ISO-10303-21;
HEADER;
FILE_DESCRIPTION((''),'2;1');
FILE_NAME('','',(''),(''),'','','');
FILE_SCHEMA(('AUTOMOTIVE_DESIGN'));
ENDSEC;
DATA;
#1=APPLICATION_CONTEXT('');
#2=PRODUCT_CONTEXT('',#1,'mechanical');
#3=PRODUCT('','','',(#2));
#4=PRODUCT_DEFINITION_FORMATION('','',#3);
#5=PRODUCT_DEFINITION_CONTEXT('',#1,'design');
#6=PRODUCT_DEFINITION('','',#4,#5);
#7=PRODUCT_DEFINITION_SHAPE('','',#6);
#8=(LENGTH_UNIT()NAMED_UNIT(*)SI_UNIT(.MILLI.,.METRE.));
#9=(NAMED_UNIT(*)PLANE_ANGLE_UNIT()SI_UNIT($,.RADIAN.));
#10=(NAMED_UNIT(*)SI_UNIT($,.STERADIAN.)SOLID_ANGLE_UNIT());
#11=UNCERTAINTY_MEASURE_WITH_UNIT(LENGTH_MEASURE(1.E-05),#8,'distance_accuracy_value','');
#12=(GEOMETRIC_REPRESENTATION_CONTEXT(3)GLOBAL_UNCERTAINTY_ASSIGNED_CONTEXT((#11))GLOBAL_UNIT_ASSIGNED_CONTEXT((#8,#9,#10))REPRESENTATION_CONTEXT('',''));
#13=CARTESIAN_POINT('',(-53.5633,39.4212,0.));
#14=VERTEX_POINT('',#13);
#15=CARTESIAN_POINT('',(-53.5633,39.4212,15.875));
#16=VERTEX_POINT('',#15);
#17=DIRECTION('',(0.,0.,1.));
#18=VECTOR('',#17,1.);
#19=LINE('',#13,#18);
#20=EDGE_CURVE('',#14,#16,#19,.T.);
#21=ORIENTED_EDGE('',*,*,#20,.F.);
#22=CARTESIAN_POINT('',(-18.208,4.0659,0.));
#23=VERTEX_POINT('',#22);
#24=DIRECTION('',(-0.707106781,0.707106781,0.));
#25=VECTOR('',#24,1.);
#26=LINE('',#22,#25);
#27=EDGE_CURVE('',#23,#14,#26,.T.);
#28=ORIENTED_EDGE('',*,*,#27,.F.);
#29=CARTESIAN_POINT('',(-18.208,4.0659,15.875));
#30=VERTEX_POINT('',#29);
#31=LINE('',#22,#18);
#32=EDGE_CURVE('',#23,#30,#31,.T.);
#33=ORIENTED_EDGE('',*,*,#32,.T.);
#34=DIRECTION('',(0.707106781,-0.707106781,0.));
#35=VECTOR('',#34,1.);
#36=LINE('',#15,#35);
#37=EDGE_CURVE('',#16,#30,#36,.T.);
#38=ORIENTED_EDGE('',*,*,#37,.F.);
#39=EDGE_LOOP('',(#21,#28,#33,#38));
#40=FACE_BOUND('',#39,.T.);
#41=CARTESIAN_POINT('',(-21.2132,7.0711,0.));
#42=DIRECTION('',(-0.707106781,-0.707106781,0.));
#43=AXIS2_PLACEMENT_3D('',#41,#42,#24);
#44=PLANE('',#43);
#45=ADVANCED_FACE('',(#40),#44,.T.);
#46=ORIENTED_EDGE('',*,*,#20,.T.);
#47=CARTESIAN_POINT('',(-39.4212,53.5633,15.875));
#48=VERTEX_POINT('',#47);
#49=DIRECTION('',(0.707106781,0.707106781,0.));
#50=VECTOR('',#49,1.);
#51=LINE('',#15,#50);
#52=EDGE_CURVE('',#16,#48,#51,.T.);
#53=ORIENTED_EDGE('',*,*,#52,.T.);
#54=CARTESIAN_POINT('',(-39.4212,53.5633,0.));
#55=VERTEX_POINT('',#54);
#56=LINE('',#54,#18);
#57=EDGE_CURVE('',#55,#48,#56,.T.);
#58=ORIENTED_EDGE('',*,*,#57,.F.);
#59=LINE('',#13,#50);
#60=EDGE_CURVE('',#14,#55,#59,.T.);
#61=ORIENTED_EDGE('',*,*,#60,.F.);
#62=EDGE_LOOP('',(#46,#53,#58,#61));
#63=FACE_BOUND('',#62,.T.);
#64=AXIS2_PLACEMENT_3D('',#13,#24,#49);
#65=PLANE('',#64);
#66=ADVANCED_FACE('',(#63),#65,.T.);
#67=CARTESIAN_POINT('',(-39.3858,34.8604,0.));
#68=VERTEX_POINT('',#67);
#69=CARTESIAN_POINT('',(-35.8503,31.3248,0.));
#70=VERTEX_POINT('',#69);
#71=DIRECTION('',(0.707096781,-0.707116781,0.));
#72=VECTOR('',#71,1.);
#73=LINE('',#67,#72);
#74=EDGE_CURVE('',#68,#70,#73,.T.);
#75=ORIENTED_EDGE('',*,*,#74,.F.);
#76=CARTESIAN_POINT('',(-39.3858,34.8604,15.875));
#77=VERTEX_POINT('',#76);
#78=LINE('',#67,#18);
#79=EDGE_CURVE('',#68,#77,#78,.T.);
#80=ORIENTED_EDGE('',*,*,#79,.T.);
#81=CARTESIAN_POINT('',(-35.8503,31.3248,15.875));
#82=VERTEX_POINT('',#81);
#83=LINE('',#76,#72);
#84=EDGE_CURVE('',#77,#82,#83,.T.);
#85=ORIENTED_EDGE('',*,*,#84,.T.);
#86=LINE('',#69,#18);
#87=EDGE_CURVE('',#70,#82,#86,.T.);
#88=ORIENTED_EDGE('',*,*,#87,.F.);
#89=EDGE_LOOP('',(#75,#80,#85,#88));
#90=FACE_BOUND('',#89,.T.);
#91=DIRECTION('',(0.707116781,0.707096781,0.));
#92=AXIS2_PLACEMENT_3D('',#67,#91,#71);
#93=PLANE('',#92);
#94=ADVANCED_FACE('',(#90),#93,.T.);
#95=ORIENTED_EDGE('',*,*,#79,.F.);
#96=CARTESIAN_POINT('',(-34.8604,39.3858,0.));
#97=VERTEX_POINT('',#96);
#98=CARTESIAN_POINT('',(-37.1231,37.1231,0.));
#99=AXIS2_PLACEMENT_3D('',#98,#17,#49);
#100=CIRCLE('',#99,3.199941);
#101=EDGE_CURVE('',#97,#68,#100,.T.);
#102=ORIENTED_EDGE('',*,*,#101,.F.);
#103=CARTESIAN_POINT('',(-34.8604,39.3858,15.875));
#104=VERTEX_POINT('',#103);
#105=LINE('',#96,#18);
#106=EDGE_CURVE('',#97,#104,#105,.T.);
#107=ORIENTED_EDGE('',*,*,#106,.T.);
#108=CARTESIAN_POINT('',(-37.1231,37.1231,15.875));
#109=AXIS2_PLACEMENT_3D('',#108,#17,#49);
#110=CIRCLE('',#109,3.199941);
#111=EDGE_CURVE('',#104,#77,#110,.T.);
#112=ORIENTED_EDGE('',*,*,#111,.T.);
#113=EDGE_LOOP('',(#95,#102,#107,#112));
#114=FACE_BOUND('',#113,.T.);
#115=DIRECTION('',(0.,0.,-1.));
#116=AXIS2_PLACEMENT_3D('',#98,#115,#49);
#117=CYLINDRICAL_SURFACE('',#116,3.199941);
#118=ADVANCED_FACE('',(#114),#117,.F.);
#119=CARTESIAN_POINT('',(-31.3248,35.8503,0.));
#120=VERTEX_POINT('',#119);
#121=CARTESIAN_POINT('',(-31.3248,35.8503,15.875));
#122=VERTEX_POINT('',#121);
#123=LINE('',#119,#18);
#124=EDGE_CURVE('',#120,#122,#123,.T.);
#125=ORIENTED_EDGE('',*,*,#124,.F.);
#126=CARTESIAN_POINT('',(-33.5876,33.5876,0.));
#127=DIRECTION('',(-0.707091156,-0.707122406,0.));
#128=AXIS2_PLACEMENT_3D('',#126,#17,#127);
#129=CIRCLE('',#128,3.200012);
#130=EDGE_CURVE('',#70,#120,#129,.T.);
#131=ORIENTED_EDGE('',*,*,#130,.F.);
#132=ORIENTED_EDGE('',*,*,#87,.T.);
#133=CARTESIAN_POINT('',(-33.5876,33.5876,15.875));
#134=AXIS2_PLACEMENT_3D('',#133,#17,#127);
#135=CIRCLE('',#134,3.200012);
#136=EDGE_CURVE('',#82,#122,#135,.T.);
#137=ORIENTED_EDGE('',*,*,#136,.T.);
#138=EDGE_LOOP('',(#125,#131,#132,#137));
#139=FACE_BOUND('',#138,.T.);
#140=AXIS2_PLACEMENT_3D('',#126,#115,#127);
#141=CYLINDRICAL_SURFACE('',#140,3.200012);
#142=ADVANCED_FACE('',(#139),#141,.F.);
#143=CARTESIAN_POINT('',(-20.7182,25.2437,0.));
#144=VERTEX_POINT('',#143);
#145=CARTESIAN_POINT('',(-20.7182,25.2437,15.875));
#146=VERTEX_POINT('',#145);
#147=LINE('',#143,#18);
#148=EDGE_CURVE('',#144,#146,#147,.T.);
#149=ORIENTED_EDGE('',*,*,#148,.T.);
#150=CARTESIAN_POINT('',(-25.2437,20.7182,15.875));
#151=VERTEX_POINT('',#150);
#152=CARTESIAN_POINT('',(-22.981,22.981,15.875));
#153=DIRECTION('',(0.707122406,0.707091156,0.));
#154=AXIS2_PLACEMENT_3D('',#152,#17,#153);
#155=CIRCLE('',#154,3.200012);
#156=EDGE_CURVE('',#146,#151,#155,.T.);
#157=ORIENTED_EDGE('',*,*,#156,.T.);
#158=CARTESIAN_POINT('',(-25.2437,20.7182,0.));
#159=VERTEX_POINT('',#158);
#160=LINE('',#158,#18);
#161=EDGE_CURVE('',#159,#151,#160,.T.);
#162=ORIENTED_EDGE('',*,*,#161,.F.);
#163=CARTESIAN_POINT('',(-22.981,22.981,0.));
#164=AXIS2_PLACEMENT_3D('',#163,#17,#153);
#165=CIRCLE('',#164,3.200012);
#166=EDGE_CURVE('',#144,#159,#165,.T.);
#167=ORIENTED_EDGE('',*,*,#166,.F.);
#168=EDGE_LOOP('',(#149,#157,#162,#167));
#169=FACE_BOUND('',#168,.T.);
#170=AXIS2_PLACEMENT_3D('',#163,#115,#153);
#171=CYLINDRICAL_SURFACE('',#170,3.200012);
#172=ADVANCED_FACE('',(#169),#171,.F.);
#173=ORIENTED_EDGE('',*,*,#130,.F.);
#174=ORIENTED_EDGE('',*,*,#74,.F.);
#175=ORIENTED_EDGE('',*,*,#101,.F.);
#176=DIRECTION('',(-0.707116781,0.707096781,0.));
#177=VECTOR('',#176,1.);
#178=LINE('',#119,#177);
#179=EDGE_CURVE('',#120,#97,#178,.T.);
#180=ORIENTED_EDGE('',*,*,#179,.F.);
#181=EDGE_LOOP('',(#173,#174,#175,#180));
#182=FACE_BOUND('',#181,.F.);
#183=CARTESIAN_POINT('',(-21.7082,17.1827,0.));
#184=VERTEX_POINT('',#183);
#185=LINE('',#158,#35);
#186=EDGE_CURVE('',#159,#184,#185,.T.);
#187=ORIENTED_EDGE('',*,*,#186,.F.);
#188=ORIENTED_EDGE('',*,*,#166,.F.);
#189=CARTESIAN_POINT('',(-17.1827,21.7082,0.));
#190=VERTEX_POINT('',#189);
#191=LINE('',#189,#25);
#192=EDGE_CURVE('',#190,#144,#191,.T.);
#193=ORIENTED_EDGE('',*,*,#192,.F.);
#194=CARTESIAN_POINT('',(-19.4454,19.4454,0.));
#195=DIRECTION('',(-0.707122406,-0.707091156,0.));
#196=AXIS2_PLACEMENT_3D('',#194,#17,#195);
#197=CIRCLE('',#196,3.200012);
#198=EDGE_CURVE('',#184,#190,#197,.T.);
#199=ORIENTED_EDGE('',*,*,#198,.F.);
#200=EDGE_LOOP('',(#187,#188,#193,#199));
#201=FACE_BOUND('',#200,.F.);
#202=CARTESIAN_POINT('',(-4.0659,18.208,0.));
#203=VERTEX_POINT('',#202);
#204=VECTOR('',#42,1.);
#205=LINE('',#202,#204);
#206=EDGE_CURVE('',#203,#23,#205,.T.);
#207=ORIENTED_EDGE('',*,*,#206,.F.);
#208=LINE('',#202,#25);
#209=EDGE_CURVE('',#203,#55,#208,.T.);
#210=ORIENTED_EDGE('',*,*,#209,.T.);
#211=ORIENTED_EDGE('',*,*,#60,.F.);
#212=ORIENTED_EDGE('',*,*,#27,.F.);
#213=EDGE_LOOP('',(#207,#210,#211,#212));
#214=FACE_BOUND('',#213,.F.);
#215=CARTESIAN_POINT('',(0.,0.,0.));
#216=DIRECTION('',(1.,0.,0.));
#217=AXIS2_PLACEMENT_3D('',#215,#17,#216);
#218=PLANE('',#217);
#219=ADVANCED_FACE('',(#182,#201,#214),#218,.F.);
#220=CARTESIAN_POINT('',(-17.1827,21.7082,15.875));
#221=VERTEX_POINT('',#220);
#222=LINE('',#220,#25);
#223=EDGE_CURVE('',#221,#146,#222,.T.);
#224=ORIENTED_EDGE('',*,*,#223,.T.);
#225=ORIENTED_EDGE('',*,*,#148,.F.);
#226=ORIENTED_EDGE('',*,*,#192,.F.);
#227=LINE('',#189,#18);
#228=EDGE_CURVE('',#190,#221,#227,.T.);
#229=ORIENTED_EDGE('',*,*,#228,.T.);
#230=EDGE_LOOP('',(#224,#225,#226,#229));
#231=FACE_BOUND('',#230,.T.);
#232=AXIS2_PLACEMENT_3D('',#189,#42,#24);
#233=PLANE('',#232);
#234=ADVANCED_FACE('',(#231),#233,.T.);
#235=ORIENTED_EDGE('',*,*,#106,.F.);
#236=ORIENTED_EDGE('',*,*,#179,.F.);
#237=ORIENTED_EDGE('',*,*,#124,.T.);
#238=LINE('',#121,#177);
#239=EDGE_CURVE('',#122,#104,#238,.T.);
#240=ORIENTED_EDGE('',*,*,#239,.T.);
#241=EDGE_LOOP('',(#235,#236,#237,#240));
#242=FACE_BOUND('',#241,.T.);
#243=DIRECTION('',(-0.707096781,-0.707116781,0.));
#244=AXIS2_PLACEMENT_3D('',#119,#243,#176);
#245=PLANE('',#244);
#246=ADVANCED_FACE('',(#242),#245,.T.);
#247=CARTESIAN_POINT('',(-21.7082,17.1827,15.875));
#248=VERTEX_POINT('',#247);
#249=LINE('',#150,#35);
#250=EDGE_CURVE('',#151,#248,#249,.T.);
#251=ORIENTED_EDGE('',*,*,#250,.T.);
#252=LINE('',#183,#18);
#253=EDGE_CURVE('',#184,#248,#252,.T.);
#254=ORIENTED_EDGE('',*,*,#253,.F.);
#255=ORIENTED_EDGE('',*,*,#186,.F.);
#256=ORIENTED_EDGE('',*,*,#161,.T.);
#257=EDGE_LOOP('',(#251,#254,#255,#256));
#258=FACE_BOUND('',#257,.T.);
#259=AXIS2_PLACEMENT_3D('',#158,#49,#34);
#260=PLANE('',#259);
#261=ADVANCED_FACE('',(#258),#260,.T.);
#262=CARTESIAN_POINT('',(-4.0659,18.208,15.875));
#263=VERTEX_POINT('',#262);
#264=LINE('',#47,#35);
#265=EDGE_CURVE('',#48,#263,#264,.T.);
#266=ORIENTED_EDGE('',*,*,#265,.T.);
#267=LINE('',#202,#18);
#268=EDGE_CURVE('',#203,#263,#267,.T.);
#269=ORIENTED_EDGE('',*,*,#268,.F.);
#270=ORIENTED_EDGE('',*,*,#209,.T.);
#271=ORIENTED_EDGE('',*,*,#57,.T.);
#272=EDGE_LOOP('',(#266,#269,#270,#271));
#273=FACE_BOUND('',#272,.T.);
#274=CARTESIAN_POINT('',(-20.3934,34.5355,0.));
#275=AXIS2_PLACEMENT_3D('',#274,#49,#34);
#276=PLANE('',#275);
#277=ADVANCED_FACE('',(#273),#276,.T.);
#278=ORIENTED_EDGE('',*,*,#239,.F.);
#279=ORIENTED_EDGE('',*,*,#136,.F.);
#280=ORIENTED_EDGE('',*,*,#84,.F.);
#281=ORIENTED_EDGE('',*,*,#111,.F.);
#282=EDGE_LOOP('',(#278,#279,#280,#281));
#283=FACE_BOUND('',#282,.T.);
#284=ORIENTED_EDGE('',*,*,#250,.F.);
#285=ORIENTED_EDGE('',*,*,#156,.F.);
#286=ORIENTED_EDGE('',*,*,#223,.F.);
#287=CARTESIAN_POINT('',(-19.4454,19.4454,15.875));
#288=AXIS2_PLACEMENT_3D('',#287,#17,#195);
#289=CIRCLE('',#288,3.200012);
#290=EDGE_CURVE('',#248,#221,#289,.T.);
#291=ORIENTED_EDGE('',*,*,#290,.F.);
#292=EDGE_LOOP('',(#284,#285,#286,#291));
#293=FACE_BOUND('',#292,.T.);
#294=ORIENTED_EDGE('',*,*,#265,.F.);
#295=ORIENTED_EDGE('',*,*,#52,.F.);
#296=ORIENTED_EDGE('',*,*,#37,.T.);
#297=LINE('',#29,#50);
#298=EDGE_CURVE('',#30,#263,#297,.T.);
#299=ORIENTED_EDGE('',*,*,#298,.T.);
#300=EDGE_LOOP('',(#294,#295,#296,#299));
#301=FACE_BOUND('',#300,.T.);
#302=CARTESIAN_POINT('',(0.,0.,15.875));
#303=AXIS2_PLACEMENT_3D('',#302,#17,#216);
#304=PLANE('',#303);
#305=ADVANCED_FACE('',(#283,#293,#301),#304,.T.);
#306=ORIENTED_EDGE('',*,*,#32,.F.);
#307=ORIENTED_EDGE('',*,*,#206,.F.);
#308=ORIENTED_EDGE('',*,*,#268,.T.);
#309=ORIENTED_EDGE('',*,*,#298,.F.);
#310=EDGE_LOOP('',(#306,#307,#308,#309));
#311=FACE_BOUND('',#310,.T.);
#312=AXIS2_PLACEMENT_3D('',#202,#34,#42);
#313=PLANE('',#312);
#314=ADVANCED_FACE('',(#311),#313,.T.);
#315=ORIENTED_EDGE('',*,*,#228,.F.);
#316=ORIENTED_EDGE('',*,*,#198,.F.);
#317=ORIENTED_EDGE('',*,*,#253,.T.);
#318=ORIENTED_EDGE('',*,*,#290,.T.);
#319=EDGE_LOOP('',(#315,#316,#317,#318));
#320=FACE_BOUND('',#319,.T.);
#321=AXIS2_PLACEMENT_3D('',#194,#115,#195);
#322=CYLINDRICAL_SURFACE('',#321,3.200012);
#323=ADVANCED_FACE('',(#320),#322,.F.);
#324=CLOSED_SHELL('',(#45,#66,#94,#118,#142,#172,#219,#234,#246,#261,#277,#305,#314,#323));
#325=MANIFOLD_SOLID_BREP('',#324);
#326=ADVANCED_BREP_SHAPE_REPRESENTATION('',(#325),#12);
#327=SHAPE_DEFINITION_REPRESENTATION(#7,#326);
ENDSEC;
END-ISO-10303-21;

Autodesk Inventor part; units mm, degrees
ref_plane "YZ Plane" through (0, 0, 0) normal (1, 0, 0) x (0, 1, 0)
ref_plane "XZ Plane" through (0, 0, 0) normal (0, 1, 0) x (-1, 0, 0)
ref_plane "XY Plane" through (0, 0, 0) normal (0, 0, 1) x (1, 0, 0)
sketch "Sketch1" plane through (0, 0, 0) normal (0, 0, 1) x (1, 0, 0)
  line L0 (7.0711, 21.2132) -> (20.3934, 34.5355)
  line L1 (61, 1) -> (41.6066, 20.3934)
  line L2 (61, 1) -> (725, 1)
  line L3 (725, 1) -> (725, 26)
  line L4 (725, 26) -> (720, 31)
  line L5 (720, 31) -> (437.7615, 31)
  arc A0 (434.226, 32.4645) -> (437.7615, 31) centre (437.7615, 36) ccw
  line L6 (434.226, 32.4645) -> (32.4645, 434.226)
  arc A1 (31, 437.7615) -> (32.4645, 434.226) centre (36, 437.7615) ccw
  line L7 (31, 437.7615) -> (31, 720)
  line L8 (31, 720) -> (26, 725)
  line L9 (26, 725) -> (1, 725)
  line L10 (1, 725) -> (1, 61)
  line L11 (20.3934, 41.6066) -> (1, 61)
  arc A2 (20.3934, 34.5355) -> (20.3934, 41.6066) centre (16.8579, 38.0711) ccw
  line L12 (7.0711, 21.2132) -> (20.3934, 34.5355)
  line L13 (21.2132, 7.0711) -> (7.0711, 21.2132)
  line L14 (34.5355, 20.3934) -> (21.2132, 7.0711)
  arc A3 (41.6066, 20.3934) -> (34.5355, 20.3934) centre (38.0711, 16.8579) ccw
  circle A4 centre (15, 600) radius 3.2
  circle A5 centre (200, 15) radius 3.2
  circle A6 centre (600, 15) radius 3.2
  line L15 (252.9319, 164.2611) -> (377.6575, 39.5355)
  arc A7 (374.1219, 31) -> (377.6575, 39.5355) centre (374.1219, 36) ccw
  line L16 (374.1219, 31) -> (82.5685, 31)
  arc A8 (79.033, 32.4645) -> (82.5685, 31) centre (82.5685, 36) ccw
  line L17 (79.033, 32.4645) -> (32.4645, 79.033)
  arc A9 (31, 82.5685) -> (32.4645, 79.033) centre (36, 82.5685) ccw
  line L18 (31, 82.5685) -> (31, 374.1219)
  arc A10 (39.5355, 377.6575) -> (31, 374.1219) centre (36, 374.1219) ccw
  line L19 (39.5355, 377.6575) -> (164.2611, 252.9319)
  arc A11 (162.7002, 244.8028) -> (164.2611, 252.9319) centre (160.7256, 249.3963) ccw
  arc A12 (162.7002, 244.8028) -> (244.8028, 162.7002) centre (187.3833, 187.3833) ccw
  arc A13 (252.9319, 164.2611) -> (244.8028, 162.7002) centre (249.3963, 160.7256) ccw
  circle A14 centre (15, 200) radius 3.2
  line L20 (-61, -1) -> (-41.6066, -20.3934)
  line L21 (-61, -1) -> (-725, -1)
  line L22 (-725, -1) -> (-725, -26)
  line L23 (-725, -26) -> (-720, -31)
  line L24 (-720, -31) -> (-437.7615, -31)
  arc A15 (-434.226, -32.4645) -> (-437.7615, -31) centre (-437.7615, -36) ccw
  line L25 (-434.226, -32.4645) -> (-32.4645, -434.226)
  arc A16 (-31, -437.7615) -> (-32.4645, -434.226) centre (-36, -437.7615) ccw
  line L26 (-31, -437.7615) -> (-31, -720)
  line L27 (-31, -720) -> (-26, -725)
  line L28 (-26, -725) -> (-1, -725)
  line L29 (-1, -725) -> (-1, -61)
  line L30 (-20.3934, -41.6066) -> (-1, -61)
  arc A17 (-20.3934, -34.5355) -> (-20.3934, -41.6066) centre (-16.8579, -38.0711) ccw
  line L31 (-7.0711, -21.2132) -> (-20.3934, -34.5355)
  line L32 (-21.2132, -7.0711) -> (-7.0711, -21.2132)
  line L33 (-34.5355, -20.3934) -> (-21.2132, -7.0711)
  arc A18 (-41.6066, -20.3934) -> (-34.5355, -20.3934) centre (-38.0711, -16.8579) ccw
  circle A19 centre (-15, -600) radius 3.2
  circle A20 centre (-200, -15) radius 3.2
  circle A21 centre (-600, -15) radius 3.2
  line L34 (-252.9319, -164.2611) -> (-377.6575, -39.5355)
  arc A22 (-374.1219, -31) -> (-377.6575, -39.5355) centre (-374.1219, -36) ccw
  line L35 (-374.1219, -31) -> (-82.5685, -31)
  arc A23 (-79.033, -32.4645) -> (-82.5685, -31) centre (-82.5685, -36) ccw
  line L36 (-79.033, -32.4645) -> (-32.4645, -79.033)
  arc A24 (-31, -82.5685) -> (-32.4645, -79.033) centre (-36, -82.5685) ccw
  line L37 (-31, -82.5685) -> (-31, -374.1219)
  arc A25 (-39.5355, -377.6575) -> (-31, -374.1219) centre (-36, -374.1219) ccw
  line L38 (-39.5355, -377.6575) -> (-164.2611, -252.9319)
  arc A26 (-162.7002, -244.8028) -> (-164.2611, -252.9319) centre (-160.7256, -249.3963) ccw
  arc A27 (-162.7002, -244.8028) -> (-244.8028, -162.7002) centre (-187.3833, -187.3833) ccw
  arc A28 (-252.9319, -164.2611) -> (-244.8028, -162.7002) centre (-249.3963, -160.7256) ccw
  circle A29 centre (-15, -200) radius 3.2
  line L39 (-1, 61) -> (-20.3934, 41.6066)
  line L40 (-1, 61) -> (-1, 725)
  line L41 (-1, 725) -> (-26, 725)
  line L42 (-26, 725) -> (-31, 720)
  line L43 (-31, 720) -> (-31, 437.7615)
  arc A30 (-32.4645, 434.226) -> (-31, 437.7615) centre (-36, 437.7615) ccw
  line L44 (-32.4645, 434.226) -> (-434.226, 32.4645)
  arc A31 (-437.7615, 31) -> (-434.226, 32.4645) centre (-437.7615, 36) ccw
  line L45 (-437.7615, 31) -> (-720, 31)
  line L46 (-720, 31) -> (-725, 26)
  line L47 (-725, 26) -> (-725, 1)
  line L48 (-725, 1) -> (-61, 1)
  line L49 (-41.6066, 20.3934) -> (-61, 1)
  arc A32 (-34.5355, 20.3934) -> (-41.6066, 20.3934) centre (-38.0711, 16.8579) ccw
  line L50 (-21.2132, 7.0711) -> (-34.5355, 20.3934)
  line L51 (-7.0711, 21.2132) -> (-21.2132, 7.0711)
  line L52 (-20.3934, 34.5355) -> (-7.0711, 21.2132)
  arc A33 (-20.3934, 41.6066) -> (-20.3934, 34.5355) centre (-16.8579, 38.0711) ccw
  circle A34 centre (-600, 15) radius 3.2
  circle A35 centre (-15, 200) radius 3.2
  circle A36 centre (-15, 600) radius 3.2
  line L53 (-164.2611, 252.9319) -> (-39.5355, 377.6575)
  arc A37 (-31, 374.1219) -> (-39.5355, 377.6575) centre (-36, 374.1219) ccw
  line L54 (-31, 374.1219) -> (-31, 82.5685)
  arc A38 (-32.4645, 79.033) -> (-31, 82.5685) centre (-36, 82.5685) ccw
  line L55 (-32.4645, 79.033) -> (-79.033, 32.4645)
  arc A39 (-82.5685, 31) -> (-79.033, 32.4645) centre (-82.5685, 36) ccw
  line L56 (-82.5685, 31) -> (-374.1219, 31)
  arc A40 (-377.6575, 39.5355) -> (-374.1219, 31) centre (-374.1219, 36) ccw
  line L57 (-377.6575, 39.5355) -> (-252.9319, 164.2611)
  arc A41 (-244.8028, 162.7002) -> (-252.9319, 164.2611) centre (-249.3963, 160.7256) ccw
  arc A42 (-244.8028, 162.7002) -> (-162.7002, 244.8028) centre (-187.3833, 187.3833) ccw
  arc A43 (-164.2611, 252.9319) -> (-162.7002, 244.8028) centre (-160.7256, 249.3963) ccw
  circle A44 centre (-200, 15) radius 3.2
  line L58 (1, -61) -> (20.3934, -41.6066)
  line L59 (1, -61) -> (1, -725)
  line L60 (1, -725) -> (26, -725)
  line L61 (26, -725) -> (31, -720)
  line L62 (31, -720) -> (31, -437.7615)
  arc A45 (32.4645, -434.226) -> (31, -437.7615) centre (36, -437.7615) ccw
  line L63 (32.4645, -434.226) -> (434.226, -32.4645)
  arc A46 (437.7615, -31) -> (434.226, -32.4645) centre (437.7615, -36) ccw
  line L64 (437.7615, -31) -> (720, -31)
  line L65 (720, -31) -> (725, -26)
  line L66 (725, -26) -> (725, -1)
  line L67 (725, -1) -> (61, -1)
  line L68 (41.6066, -20.3934) -> (61, -1)
  arc A47 (34.5355, -20.3934) -> (41.6066, -20.3934) centre (38.0711, -16.8579) ccw
  line L69 (21.2132, -7.0711) -> (34.5355, -20.3934)
  line L70 (7.0711, -21.2132) -> (21.2132, -7.0711)
  line L71 (20.3934, -34.5355) -> (7.0711, -21.2132)
  arc A48 (20.3934, -41.6066) -> (20.3934, -34.5355) centre (16.8579, -38.0711) ccw
  circle A49 centre (600, -15) radius 3.2
  circle A50 centre (15, -200) radius 3.2
  circle A51 centre (15, -600) radius 3.2
  line L72 (164.2611, -252.9319) -> (39.5355, -377.6575)
  arc A52 (31, -374.1219) -> (39.5355, -377.6575) centre (36, -374.1219) ccw
  line L73 (31, -374.1219) -> (31, -82.5685)
  arc A53 (32.4645, -79.033) -> (31, -82.5685) centre (36, -82.5685) ccw
  line L74 (32.4645, -79.033) -> (79.033, -32.4645)
  arc A54 (82.5685, -31) -> (79.033, -32.4645) centre (82.5685, -36) ccw
  line L75 (82.5685, -31) -> (374.1219, -31)
  arc A55 (377.6575, -39.5355) -> (374.1219, -31) centre (374.1219, -36) ccw
  line L76 (377.6575, -39.5355) -> (252.9319, -164.2611)
  arc A56 (244.8028, -162.7002) -> (252.9319, -164.2611) centre (249.3963, -160.7256) ccw
  arc A57 (244.8028, -162.7002) -> (162.7002, -244.8028) centre (187.3833, -187.3833) ccw
  arc A58 (164.2611, -252.9319) -> (162.7002, -244.8028) centre (160.7256, -249.3963) ccw
  circle A59 centre (200, -15) radius 3.2
  line L77 (-8.1812, 19.7495) -> (8.1812, 19.7495)
  line L78 (19.7495, 8.1812) -> (8.1812, 19.7495)
  line L79 (19.7495, 8.1812) -> (19.7495, -8.1812)
  line L80 (13.9654, -13.9654) -> (19.7495, -8.1812)
  line L81 (5.6569, -5.6569) -> (13.9654, -13.9654)
  arc A60 (5.6569, -5.6569) -> (-5.6569, 5.6569) centre (0, 0) ccw
  line L82 (-13.9654, 13.9654) -> (-5.6569, 5.6569)
  line L83 (-8.1812, 19.7495) -> (-13.9654, 13.9654)
  line L84 (8.1812, -19.7495) -> (-8.1812, -19.7495)
  line L85 (-19.7495, -8.1812) -> (-8.1812, -19.7495)
  line L86 (-19.7495, -8.1812) -> (-19.7495, 8.1812)
  line L87 (-13.9654, 13.9654) -> (-19.7495, 8.1812)
  line L88 (-5.6569, 5.6569) -> (-13.9654, 13.9654)
  arc A61 (-5.6569, 5.6569) -> (5.6569, -5.6569) centre (0, 0) ccw
  line L89 (13.9654, -13.9654) -> (5.6569, -5.6569)
  line L90 (8.1812, -19.7495) -> (13.9654, -13.9654)
  line L91 (-4.0659, 18.208) -> (-18.208, 4.0659)
  line L92 (-18.208, 4.0659) -> (-53.5633, 39.4212)
  line L93 (-18.208, 4.0659) -> (31.792, 4.0659) construction
  line L94 (-4.0659, 18.208) -> (-39.4212, 53.5633)
  line L95 (-45.1904, 45.1904) -> (-11.1369, 11.1369) construction
  line L96 (-19.4454, 19.4454) -> (-22.981, 22.981) construction
  line L97 (-17.1827, 21.7082) -> (-20.7182, 25.2437)
  line L98 (-25.2437, 20.7182) -> (-21.7082, 17.1827)
  arc A62 (-21.7082, 17.1827) -> (-17.1827, 21.7082) centre (-19.4454, 19.4454) ccw
  arc A63 (-20.7182, 25.2437) -> (-25.2437, 20.7182) centre (-22.981, 22.981) ccw
  line L99 (-33.5876, 33.5876) -> (-37.1231, 37.1231) construction
  line L100 (-31.3248, 35.8503) -> (-34.8604, 39.3858)
  line L101 (-39.3858, 34.8604) -> (-35.8503, 31.3248)
  arc A64 (-35.8503, 31.3248) -> (-31.3248, 35.8503) centre (-33.5876, 33.5876) ccw
  arc A65 (-34.8604, 39.3858) -> (-39.3858, 34.8604) centre (-37.1231, 37.1231) ccw
  line L102 (-53.5633, 39.4212) -> (-39.4212, 53.5633)
  point P0 (0, 0)
  point P1 (-21.2132, 21.2132)
  point P2 (-35.3553, 35.3553)
extrude "Extrusion2" add sketch "Sketch1" along normal blind 15.875 contours L52 L51 L50 L92 L102 L94 | L94 L77 L83 L87 L86 L92 L51 | L94 L91 L82 L83 L77 | L86 L87 L82 L91 L92
properties part number "Conduit-brace"
